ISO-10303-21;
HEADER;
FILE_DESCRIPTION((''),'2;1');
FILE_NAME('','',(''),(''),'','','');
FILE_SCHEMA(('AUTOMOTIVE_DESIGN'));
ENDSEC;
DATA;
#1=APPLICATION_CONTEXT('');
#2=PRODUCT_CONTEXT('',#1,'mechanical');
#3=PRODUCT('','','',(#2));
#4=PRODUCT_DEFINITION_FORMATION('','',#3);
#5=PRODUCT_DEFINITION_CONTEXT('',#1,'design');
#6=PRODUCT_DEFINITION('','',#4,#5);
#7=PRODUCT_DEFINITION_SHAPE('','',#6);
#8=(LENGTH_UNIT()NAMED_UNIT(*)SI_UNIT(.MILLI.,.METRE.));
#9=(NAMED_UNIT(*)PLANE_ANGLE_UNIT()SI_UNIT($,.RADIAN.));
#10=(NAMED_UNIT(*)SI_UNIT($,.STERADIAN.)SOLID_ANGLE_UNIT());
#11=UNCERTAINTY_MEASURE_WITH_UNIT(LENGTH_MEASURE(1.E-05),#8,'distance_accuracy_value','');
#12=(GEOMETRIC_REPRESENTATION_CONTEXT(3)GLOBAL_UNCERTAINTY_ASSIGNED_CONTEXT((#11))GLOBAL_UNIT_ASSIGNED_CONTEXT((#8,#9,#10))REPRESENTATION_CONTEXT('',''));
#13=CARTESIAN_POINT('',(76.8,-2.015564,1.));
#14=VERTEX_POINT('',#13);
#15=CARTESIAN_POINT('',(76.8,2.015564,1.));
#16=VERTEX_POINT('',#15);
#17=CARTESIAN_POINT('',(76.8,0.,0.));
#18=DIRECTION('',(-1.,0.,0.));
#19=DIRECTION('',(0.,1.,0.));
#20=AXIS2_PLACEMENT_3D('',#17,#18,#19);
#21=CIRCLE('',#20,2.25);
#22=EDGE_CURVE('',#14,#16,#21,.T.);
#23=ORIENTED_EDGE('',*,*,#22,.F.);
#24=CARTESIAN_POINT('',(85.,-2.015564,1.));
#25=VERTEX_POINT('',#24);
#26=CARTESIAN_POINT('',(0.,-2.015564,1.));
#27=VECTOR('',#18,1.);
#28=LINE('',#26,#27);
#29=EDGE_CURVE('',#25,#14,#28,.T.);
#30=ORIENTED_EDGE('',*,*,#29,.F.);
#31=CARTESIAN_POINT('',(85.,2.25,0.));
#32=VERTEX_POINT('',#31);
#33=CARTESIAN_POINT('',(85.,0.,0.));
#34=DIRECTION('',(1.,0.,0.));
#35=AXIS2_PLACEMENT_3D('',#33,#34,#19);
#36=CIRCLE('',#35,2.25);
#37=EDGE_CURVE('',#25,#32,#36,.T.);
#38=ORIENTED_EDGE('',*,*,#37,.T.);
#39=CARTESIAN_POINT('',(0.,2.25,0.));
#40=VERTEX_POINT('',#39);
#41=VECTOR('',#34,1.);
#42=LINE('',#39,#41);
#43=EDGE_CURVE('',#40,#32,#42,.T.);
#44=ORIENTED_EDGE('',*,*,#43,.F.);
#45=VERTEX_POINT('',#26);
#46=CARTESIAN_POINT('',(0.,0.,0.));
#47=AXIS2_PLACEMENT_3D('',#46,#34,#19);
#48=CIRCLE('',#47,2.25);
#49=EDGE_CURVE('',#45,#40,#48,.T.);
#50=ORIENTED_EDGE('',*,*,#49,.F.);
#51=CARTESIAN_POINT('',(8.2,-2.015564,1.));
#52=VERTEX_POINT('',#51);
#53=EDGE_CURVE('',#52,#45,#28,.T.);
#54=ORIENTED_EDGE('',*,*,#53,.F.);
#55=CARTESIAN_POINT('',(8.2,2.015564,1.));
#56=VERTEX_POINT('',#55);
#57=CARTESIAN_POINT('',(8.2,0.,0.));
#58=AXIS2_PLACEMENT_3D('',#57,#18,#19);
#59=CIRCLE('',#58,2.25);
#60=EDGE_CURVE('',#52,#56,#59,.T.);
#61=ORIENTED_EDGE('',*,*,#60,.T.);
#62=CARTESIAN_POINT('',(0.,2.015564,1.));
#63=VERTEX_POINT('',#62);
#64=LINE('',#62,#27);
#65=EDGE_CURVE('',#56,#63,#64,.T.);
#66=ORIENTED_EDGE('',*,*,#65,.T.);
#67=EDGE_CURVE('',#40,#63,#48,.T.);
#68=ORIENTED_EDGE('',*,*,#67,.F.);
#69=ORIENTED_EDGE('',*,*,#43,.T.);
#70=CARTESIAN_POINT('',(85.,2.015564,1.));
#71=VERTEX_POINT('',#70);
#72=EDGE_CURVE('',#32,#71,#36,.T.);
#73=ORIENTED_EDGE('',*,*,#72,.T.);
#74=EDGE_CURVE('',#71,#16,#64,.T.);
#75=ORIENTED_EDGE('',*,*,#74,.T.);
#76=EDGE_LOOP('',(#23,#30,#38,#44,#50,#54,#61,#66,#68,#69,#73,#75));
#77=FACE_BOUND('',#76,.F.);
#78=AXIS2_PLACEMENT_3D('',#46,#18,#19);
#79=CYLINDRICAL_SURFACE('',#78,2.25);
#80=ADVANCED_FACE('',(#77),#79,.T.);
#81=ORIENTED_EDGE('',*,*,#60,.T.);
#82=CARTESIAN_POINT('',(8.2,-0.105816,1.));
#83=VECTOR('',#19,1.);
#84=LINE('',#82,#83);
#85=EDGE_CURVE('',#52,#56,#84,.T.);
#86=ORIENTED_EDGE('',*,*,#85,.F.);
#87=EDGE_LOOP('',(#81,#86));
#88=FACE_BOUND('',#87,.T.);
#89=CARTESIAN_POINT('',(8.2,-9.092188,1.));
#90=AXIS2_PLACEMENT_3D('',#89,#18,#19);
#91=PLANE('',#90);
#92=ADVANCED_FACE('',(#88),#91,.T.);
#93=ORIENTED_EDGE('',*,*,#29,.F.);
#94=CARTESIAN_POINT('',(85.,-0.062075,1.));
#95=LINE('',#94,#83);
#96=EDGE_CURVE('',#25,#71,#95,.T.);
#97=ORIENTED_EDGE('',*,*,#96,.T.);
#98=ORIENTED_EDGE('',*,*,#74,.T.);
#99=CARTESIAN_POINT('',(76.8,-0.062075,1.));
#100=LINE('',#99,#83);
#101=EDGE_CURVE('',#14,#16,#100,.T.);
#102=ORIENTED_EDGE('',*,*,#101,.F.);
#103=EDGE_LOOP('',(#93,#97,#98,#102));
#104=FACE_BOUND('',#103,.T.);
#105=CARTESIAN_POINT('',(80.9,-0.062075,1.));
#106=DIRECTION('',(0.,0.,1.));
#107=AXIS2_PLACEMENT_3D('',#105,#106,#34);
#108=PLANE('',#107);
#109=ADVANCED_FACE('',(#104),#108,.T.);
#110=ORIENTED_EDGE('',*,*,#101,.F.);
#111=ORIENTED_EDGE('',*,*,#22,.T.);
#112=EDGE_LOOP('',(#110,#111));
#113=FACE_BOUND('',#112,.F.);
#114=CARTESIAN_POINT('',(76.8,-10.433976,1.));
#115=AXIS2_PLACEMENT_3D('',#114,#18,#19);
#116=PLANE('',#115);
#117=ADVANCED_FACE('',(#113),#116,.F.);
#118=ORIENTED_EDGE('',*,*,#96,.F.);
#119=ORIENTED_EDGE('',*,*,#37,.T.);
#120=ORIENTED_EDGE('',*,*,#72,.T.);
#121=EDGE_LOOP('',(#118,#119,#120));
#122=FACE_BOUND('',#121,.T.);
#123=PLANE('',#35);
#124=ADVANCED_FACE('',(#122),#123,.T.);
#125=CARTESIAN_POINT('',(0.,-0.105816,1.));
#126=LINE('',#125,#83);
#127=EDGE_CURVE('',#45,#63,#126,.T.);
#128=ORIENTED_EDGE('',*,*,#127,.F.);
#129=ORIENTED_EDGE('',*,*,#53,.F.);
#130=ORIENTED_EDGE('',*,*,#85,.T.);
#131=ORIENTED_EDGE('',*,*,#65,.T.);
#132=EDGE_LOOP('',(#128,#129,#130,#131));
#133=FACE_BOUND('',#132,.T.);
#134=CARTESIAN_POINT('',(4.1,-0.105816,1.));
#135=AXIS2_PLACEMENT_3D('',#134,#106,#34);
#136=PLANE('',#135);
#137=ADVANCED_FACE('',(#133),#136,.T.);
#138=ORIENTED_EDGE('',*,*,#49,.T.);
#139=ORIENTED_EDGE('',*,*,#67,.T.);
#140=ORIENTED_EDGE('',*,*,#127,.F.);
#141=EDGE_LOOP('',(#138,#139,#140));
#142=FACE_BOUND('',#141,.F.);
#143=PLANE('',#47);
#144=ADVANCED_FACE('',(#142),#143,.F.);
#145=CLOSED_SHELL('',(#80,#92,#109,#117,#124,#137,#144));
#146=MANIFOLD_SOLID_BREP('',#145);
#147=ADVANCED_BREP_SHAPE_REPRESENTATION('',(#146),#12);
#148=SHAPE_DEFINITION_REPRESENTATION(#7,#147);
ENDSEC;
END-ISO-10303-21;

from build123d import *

# Parameters (mm, degrees)
F0_R     = 2.25
F1_DEPTH = 85
F3_W     = 8.2
F3_H     = 17.972744
F3_H_2   = 20.743802
F4_DEPTH = 25


with BuildPart() as f1:
    # F0 (on Right) → F1 (new body)
    with BuildSketch(Plane.YZ):
        Circle(F0_R)
    extrude(amount=F1_DEPTH)

    # F3 (on offset) → F4 (cut)
    with BuildSketch(Plane.XY.offset(1)):
        with Locations((4.1, -0.105816)):
            Rectangle(F3_W, F3_H)
        with Locations((80.9, -0.062075)):
            Rectangle(F3_W, F3_H_2)
    extrude(amount=F4_DEPTH, mode=Mode.SUBTRACT)


solid = f1.part
